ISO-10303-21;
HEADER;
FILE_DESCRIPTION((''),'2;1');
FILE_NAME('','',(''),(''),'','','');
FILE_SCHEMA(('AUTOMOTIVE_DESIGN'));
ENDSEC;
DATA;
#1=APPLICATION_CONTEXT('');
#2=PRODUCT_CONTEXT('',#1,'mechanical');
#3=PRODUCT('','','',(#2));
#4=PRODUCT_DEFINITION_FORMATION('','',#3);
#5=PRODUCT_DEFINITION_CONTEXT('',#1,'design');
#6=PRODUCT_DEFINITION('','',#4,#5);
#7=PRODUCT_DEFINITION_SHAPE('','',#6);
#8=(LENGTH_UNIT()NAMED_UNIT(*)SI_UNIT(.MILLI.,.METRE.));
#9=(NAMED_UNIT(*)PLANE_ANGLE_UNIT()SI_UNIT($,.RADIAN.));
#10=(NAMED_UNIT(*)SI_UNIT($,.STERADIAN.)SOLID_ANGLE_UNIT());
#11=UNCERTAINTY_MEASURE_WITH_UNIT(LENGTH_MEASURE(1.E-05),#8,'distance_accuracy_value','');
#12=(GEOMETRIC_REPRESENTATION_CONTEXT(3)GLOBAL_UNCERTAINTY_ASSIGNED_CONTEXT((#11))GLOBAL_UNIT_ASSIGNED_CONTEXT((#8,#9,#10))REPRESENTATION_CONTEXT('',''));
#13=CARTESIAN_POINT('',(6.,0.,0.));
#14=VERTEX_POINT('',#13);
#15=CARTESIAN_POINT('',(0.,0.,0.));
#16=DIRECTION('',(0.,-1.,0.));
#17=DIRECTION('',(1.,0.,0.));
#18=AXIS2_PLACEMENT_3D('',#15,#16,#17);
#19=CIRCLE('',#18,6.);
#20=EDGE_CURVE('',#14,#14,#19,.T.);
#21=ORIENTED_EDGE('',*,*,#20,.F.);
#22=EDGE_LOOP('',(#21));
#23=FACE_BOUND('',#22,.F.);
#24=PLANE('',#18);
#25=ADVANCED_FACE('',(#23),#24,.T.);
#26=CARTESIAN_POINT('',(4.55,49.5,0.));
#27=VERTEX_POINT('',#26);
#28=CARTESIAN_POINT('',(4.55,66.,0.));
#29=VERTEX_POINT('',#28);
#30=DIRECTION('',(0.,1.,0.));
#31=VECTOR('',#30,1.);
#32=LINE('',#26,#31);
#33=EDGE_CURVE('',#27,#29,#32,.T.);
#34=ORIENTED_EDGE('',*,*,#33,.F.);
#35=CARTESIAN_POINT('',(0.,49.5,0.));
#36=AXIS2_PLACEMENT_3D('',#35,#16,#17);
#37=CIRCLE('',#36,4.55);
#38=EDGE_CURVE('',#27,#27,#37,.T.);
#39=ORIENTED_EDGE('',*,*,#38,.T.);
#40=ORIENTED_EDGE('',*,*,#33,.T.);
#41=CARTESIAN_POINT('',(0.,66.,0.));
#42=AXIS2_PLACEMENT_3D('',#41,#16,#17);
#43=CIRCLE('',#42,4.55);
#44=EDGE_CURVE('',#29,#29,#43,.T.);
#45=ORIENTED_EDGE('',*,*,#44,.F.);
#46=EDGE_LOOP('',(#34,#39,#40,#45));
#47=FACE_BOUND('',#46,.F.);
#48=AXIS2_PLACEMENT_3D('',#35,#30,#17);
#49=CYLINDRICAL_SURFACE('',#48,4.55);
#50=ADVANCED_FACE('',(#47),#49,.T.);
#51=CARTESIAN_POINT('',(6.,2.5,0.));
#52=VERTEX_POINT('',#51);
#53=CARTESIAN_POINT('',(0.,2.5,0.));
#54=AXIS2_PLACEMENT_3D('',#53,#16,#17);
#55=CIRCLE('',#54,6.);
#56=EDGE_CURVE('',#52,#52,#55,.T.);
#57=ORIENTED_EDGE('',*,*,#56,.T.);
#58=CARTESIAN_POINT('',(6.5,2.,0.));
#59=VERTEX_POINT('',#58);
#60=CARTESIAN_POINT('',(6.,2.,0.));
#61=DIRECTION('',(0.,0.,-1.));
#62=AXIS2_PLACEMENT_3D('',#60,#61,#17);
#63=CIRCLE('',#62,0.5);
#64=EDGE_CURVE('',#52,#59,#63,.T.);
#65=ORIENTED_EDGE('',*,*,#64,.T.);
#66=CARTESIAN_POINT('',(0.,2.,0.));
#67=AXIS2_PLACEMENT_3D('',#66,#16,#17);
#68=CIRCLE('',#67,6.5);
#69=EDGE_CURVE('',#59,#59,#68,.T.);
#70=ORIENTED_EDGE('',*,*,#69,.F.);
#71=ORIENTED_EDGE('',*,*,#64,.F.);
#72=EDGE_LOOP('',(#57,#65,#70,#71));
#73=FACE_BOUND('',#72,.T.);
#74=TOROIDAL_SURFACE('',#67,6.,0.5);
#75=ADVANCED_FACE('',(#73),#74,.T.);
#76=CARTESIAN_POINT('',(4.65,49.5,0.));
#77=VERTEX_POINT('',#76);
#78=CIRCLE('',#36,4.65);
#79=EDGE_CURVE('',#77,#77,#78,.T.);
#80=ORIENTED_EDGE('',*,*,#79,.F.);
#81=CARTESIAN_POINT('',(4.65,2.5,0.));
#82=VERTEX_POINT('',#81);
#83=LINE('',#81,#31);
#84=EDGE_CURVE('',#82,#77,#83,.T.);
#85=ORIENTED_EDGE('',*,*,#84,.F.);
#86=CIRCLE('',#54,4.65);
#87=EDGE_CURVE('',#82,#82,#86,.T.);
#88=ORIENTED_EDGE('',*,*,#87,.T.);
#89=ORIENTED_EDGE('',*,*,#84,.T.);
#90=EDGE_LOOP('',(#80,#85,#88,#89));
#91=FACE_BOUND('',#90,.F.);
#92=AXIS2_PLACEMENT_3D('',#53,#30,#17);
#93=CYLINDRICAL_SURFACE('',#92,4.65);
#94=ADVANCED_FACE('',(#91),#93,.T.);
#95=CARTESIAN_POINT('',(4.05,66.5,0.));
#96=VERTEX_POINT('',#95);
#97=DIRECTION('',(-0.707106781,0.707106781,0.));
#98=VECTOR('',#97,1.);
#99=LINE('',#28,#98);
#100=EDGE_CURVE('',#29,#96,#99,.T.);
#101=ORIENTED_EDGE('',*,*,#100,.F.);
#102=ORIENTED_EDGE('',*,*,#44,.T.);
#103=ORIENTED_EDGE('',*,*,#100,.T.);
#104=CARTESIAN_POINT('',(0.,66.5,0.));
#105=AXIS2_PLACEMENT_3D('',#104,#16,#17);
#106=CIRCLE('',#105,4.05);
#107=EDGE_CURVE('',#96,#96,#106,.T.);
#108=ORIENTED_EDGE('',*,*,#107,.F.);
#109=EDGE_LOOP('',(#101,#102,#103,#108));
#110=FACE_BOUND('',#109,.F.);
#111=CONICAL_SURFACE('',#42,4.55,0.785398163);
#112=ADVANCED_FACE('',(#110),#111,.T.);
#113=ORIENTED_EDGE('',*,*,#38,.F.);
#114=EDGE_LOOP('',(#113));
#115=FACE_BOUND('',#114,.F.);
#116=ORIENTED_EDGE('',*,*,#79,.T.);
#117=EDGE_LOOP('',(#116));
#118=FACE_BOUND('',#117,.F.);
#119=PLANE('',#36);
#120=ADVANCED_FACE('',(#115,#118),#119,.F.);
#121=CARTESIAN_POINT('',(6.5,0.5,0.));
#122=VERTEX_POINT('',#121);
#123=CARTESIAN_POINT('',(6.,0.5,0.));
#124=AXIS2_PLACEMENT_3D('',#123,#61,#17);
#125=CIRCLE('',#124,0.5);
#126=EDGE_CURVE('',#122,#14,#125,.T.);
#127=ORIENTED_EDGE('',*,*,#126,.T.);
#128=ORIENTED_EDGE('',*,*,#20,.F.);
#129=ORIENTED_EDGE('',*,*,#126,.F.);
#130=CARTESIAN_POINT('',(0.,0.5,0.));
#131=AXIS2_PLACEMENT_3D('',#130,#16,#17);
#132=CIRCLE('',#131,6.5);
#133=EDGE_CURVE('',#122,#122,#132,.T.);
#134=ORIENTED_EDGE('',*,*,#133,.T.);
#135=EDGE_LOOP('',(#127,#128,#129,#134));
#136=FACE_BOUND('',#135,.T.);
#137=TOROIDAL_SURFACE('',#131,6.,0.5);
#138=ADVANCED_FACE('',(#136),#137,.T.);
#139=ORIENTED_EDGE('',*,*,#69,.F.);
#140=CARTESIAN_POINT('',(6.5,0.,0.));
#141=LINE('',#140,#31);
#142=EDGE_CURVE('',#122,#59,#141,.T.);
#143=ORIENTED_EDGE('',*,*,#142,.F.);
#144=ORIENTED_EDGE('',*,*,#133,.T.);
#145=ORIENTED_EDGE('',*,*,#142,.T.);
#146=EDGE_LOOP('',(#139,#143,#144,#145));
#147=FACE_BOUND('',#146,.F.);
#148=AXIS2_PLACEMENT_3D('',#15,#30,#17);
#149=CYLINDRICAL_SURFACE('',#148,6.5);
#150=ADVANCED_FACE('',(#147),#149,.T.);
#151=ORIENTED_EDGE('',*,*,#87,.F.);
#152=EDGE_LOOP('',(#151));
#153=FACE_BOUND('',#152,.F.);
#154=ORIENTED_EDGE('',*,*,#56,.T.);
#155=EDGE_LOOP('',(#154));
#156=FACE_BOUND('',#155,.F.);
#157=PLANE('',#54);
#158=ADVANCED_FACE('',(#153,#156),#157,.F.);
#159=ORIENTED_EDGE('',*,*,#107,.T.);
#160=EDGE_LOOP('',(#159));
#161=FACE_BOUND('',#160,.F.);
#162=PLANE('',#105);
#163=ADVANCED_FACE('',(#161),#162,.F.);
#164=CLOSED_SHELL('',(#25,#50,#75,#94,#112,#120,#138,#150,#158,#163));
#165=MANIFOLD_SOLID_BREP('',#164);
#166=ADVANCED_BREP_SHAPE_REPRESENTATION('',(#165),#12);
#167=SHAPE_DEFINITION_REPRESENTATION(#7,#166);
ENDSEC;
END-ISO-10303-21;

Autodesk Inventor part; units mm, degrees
ref_plane "YZ Plane" through (0, 0, 0) normal (1, 0, 0) x (0, 1, 0)
ref_plane "XZ Plane" through (0, 0, 0) normal (0, 1, 0) x (-1, 0, 0)
ref_plane "XY Plane" through (0, 0, 0) normal (0, 0, 1) x (1, 0, 0)
sketch "Эскиз1" plane through (0, 0, 0) normal (0, 0, 1) x (1, 0, 0)
  line L0 (0, 0) -> (6.5, 0)
  line L1 (6.5, 0) -> (6.5, 2.5)
  line L2 (6.5, 2.5) -> (4.65, 2.5)
  line L3 (4.65, 2.5) -> (4.65, 49.5)
  line L4 (4.65, 49.5) -> (4.55, 49.5)
  line L5 (4.55, 49.5) -> (4.55, 66.5)
  line L6 (4.55, 66.5) -> (0, 66.5)
  line L7 (0, 66.5) -> (0, 0)
  dimension "d1" = 64
  dimension "d2" = 9.3
  dimension "d3" = 0.1
  dimension "d4" = 13
  dimension "d5" = 2.5
  dimension "d6" = 17
revolve "Вращение1" add sketch "Эскиз1" angle 360 about axis through (0, 66.5, 0) along (0, -1, 0)
fillet "Сопряжение1" radius 0.5 2 edges at (-6.5, 2.5, 0) (-6.5, 0, 0)
chamfer "Фаска1" distance 0.5 angle 45 1 edges at (-4.55, 66.5, 0)
properties part number "paris_kingpin"
